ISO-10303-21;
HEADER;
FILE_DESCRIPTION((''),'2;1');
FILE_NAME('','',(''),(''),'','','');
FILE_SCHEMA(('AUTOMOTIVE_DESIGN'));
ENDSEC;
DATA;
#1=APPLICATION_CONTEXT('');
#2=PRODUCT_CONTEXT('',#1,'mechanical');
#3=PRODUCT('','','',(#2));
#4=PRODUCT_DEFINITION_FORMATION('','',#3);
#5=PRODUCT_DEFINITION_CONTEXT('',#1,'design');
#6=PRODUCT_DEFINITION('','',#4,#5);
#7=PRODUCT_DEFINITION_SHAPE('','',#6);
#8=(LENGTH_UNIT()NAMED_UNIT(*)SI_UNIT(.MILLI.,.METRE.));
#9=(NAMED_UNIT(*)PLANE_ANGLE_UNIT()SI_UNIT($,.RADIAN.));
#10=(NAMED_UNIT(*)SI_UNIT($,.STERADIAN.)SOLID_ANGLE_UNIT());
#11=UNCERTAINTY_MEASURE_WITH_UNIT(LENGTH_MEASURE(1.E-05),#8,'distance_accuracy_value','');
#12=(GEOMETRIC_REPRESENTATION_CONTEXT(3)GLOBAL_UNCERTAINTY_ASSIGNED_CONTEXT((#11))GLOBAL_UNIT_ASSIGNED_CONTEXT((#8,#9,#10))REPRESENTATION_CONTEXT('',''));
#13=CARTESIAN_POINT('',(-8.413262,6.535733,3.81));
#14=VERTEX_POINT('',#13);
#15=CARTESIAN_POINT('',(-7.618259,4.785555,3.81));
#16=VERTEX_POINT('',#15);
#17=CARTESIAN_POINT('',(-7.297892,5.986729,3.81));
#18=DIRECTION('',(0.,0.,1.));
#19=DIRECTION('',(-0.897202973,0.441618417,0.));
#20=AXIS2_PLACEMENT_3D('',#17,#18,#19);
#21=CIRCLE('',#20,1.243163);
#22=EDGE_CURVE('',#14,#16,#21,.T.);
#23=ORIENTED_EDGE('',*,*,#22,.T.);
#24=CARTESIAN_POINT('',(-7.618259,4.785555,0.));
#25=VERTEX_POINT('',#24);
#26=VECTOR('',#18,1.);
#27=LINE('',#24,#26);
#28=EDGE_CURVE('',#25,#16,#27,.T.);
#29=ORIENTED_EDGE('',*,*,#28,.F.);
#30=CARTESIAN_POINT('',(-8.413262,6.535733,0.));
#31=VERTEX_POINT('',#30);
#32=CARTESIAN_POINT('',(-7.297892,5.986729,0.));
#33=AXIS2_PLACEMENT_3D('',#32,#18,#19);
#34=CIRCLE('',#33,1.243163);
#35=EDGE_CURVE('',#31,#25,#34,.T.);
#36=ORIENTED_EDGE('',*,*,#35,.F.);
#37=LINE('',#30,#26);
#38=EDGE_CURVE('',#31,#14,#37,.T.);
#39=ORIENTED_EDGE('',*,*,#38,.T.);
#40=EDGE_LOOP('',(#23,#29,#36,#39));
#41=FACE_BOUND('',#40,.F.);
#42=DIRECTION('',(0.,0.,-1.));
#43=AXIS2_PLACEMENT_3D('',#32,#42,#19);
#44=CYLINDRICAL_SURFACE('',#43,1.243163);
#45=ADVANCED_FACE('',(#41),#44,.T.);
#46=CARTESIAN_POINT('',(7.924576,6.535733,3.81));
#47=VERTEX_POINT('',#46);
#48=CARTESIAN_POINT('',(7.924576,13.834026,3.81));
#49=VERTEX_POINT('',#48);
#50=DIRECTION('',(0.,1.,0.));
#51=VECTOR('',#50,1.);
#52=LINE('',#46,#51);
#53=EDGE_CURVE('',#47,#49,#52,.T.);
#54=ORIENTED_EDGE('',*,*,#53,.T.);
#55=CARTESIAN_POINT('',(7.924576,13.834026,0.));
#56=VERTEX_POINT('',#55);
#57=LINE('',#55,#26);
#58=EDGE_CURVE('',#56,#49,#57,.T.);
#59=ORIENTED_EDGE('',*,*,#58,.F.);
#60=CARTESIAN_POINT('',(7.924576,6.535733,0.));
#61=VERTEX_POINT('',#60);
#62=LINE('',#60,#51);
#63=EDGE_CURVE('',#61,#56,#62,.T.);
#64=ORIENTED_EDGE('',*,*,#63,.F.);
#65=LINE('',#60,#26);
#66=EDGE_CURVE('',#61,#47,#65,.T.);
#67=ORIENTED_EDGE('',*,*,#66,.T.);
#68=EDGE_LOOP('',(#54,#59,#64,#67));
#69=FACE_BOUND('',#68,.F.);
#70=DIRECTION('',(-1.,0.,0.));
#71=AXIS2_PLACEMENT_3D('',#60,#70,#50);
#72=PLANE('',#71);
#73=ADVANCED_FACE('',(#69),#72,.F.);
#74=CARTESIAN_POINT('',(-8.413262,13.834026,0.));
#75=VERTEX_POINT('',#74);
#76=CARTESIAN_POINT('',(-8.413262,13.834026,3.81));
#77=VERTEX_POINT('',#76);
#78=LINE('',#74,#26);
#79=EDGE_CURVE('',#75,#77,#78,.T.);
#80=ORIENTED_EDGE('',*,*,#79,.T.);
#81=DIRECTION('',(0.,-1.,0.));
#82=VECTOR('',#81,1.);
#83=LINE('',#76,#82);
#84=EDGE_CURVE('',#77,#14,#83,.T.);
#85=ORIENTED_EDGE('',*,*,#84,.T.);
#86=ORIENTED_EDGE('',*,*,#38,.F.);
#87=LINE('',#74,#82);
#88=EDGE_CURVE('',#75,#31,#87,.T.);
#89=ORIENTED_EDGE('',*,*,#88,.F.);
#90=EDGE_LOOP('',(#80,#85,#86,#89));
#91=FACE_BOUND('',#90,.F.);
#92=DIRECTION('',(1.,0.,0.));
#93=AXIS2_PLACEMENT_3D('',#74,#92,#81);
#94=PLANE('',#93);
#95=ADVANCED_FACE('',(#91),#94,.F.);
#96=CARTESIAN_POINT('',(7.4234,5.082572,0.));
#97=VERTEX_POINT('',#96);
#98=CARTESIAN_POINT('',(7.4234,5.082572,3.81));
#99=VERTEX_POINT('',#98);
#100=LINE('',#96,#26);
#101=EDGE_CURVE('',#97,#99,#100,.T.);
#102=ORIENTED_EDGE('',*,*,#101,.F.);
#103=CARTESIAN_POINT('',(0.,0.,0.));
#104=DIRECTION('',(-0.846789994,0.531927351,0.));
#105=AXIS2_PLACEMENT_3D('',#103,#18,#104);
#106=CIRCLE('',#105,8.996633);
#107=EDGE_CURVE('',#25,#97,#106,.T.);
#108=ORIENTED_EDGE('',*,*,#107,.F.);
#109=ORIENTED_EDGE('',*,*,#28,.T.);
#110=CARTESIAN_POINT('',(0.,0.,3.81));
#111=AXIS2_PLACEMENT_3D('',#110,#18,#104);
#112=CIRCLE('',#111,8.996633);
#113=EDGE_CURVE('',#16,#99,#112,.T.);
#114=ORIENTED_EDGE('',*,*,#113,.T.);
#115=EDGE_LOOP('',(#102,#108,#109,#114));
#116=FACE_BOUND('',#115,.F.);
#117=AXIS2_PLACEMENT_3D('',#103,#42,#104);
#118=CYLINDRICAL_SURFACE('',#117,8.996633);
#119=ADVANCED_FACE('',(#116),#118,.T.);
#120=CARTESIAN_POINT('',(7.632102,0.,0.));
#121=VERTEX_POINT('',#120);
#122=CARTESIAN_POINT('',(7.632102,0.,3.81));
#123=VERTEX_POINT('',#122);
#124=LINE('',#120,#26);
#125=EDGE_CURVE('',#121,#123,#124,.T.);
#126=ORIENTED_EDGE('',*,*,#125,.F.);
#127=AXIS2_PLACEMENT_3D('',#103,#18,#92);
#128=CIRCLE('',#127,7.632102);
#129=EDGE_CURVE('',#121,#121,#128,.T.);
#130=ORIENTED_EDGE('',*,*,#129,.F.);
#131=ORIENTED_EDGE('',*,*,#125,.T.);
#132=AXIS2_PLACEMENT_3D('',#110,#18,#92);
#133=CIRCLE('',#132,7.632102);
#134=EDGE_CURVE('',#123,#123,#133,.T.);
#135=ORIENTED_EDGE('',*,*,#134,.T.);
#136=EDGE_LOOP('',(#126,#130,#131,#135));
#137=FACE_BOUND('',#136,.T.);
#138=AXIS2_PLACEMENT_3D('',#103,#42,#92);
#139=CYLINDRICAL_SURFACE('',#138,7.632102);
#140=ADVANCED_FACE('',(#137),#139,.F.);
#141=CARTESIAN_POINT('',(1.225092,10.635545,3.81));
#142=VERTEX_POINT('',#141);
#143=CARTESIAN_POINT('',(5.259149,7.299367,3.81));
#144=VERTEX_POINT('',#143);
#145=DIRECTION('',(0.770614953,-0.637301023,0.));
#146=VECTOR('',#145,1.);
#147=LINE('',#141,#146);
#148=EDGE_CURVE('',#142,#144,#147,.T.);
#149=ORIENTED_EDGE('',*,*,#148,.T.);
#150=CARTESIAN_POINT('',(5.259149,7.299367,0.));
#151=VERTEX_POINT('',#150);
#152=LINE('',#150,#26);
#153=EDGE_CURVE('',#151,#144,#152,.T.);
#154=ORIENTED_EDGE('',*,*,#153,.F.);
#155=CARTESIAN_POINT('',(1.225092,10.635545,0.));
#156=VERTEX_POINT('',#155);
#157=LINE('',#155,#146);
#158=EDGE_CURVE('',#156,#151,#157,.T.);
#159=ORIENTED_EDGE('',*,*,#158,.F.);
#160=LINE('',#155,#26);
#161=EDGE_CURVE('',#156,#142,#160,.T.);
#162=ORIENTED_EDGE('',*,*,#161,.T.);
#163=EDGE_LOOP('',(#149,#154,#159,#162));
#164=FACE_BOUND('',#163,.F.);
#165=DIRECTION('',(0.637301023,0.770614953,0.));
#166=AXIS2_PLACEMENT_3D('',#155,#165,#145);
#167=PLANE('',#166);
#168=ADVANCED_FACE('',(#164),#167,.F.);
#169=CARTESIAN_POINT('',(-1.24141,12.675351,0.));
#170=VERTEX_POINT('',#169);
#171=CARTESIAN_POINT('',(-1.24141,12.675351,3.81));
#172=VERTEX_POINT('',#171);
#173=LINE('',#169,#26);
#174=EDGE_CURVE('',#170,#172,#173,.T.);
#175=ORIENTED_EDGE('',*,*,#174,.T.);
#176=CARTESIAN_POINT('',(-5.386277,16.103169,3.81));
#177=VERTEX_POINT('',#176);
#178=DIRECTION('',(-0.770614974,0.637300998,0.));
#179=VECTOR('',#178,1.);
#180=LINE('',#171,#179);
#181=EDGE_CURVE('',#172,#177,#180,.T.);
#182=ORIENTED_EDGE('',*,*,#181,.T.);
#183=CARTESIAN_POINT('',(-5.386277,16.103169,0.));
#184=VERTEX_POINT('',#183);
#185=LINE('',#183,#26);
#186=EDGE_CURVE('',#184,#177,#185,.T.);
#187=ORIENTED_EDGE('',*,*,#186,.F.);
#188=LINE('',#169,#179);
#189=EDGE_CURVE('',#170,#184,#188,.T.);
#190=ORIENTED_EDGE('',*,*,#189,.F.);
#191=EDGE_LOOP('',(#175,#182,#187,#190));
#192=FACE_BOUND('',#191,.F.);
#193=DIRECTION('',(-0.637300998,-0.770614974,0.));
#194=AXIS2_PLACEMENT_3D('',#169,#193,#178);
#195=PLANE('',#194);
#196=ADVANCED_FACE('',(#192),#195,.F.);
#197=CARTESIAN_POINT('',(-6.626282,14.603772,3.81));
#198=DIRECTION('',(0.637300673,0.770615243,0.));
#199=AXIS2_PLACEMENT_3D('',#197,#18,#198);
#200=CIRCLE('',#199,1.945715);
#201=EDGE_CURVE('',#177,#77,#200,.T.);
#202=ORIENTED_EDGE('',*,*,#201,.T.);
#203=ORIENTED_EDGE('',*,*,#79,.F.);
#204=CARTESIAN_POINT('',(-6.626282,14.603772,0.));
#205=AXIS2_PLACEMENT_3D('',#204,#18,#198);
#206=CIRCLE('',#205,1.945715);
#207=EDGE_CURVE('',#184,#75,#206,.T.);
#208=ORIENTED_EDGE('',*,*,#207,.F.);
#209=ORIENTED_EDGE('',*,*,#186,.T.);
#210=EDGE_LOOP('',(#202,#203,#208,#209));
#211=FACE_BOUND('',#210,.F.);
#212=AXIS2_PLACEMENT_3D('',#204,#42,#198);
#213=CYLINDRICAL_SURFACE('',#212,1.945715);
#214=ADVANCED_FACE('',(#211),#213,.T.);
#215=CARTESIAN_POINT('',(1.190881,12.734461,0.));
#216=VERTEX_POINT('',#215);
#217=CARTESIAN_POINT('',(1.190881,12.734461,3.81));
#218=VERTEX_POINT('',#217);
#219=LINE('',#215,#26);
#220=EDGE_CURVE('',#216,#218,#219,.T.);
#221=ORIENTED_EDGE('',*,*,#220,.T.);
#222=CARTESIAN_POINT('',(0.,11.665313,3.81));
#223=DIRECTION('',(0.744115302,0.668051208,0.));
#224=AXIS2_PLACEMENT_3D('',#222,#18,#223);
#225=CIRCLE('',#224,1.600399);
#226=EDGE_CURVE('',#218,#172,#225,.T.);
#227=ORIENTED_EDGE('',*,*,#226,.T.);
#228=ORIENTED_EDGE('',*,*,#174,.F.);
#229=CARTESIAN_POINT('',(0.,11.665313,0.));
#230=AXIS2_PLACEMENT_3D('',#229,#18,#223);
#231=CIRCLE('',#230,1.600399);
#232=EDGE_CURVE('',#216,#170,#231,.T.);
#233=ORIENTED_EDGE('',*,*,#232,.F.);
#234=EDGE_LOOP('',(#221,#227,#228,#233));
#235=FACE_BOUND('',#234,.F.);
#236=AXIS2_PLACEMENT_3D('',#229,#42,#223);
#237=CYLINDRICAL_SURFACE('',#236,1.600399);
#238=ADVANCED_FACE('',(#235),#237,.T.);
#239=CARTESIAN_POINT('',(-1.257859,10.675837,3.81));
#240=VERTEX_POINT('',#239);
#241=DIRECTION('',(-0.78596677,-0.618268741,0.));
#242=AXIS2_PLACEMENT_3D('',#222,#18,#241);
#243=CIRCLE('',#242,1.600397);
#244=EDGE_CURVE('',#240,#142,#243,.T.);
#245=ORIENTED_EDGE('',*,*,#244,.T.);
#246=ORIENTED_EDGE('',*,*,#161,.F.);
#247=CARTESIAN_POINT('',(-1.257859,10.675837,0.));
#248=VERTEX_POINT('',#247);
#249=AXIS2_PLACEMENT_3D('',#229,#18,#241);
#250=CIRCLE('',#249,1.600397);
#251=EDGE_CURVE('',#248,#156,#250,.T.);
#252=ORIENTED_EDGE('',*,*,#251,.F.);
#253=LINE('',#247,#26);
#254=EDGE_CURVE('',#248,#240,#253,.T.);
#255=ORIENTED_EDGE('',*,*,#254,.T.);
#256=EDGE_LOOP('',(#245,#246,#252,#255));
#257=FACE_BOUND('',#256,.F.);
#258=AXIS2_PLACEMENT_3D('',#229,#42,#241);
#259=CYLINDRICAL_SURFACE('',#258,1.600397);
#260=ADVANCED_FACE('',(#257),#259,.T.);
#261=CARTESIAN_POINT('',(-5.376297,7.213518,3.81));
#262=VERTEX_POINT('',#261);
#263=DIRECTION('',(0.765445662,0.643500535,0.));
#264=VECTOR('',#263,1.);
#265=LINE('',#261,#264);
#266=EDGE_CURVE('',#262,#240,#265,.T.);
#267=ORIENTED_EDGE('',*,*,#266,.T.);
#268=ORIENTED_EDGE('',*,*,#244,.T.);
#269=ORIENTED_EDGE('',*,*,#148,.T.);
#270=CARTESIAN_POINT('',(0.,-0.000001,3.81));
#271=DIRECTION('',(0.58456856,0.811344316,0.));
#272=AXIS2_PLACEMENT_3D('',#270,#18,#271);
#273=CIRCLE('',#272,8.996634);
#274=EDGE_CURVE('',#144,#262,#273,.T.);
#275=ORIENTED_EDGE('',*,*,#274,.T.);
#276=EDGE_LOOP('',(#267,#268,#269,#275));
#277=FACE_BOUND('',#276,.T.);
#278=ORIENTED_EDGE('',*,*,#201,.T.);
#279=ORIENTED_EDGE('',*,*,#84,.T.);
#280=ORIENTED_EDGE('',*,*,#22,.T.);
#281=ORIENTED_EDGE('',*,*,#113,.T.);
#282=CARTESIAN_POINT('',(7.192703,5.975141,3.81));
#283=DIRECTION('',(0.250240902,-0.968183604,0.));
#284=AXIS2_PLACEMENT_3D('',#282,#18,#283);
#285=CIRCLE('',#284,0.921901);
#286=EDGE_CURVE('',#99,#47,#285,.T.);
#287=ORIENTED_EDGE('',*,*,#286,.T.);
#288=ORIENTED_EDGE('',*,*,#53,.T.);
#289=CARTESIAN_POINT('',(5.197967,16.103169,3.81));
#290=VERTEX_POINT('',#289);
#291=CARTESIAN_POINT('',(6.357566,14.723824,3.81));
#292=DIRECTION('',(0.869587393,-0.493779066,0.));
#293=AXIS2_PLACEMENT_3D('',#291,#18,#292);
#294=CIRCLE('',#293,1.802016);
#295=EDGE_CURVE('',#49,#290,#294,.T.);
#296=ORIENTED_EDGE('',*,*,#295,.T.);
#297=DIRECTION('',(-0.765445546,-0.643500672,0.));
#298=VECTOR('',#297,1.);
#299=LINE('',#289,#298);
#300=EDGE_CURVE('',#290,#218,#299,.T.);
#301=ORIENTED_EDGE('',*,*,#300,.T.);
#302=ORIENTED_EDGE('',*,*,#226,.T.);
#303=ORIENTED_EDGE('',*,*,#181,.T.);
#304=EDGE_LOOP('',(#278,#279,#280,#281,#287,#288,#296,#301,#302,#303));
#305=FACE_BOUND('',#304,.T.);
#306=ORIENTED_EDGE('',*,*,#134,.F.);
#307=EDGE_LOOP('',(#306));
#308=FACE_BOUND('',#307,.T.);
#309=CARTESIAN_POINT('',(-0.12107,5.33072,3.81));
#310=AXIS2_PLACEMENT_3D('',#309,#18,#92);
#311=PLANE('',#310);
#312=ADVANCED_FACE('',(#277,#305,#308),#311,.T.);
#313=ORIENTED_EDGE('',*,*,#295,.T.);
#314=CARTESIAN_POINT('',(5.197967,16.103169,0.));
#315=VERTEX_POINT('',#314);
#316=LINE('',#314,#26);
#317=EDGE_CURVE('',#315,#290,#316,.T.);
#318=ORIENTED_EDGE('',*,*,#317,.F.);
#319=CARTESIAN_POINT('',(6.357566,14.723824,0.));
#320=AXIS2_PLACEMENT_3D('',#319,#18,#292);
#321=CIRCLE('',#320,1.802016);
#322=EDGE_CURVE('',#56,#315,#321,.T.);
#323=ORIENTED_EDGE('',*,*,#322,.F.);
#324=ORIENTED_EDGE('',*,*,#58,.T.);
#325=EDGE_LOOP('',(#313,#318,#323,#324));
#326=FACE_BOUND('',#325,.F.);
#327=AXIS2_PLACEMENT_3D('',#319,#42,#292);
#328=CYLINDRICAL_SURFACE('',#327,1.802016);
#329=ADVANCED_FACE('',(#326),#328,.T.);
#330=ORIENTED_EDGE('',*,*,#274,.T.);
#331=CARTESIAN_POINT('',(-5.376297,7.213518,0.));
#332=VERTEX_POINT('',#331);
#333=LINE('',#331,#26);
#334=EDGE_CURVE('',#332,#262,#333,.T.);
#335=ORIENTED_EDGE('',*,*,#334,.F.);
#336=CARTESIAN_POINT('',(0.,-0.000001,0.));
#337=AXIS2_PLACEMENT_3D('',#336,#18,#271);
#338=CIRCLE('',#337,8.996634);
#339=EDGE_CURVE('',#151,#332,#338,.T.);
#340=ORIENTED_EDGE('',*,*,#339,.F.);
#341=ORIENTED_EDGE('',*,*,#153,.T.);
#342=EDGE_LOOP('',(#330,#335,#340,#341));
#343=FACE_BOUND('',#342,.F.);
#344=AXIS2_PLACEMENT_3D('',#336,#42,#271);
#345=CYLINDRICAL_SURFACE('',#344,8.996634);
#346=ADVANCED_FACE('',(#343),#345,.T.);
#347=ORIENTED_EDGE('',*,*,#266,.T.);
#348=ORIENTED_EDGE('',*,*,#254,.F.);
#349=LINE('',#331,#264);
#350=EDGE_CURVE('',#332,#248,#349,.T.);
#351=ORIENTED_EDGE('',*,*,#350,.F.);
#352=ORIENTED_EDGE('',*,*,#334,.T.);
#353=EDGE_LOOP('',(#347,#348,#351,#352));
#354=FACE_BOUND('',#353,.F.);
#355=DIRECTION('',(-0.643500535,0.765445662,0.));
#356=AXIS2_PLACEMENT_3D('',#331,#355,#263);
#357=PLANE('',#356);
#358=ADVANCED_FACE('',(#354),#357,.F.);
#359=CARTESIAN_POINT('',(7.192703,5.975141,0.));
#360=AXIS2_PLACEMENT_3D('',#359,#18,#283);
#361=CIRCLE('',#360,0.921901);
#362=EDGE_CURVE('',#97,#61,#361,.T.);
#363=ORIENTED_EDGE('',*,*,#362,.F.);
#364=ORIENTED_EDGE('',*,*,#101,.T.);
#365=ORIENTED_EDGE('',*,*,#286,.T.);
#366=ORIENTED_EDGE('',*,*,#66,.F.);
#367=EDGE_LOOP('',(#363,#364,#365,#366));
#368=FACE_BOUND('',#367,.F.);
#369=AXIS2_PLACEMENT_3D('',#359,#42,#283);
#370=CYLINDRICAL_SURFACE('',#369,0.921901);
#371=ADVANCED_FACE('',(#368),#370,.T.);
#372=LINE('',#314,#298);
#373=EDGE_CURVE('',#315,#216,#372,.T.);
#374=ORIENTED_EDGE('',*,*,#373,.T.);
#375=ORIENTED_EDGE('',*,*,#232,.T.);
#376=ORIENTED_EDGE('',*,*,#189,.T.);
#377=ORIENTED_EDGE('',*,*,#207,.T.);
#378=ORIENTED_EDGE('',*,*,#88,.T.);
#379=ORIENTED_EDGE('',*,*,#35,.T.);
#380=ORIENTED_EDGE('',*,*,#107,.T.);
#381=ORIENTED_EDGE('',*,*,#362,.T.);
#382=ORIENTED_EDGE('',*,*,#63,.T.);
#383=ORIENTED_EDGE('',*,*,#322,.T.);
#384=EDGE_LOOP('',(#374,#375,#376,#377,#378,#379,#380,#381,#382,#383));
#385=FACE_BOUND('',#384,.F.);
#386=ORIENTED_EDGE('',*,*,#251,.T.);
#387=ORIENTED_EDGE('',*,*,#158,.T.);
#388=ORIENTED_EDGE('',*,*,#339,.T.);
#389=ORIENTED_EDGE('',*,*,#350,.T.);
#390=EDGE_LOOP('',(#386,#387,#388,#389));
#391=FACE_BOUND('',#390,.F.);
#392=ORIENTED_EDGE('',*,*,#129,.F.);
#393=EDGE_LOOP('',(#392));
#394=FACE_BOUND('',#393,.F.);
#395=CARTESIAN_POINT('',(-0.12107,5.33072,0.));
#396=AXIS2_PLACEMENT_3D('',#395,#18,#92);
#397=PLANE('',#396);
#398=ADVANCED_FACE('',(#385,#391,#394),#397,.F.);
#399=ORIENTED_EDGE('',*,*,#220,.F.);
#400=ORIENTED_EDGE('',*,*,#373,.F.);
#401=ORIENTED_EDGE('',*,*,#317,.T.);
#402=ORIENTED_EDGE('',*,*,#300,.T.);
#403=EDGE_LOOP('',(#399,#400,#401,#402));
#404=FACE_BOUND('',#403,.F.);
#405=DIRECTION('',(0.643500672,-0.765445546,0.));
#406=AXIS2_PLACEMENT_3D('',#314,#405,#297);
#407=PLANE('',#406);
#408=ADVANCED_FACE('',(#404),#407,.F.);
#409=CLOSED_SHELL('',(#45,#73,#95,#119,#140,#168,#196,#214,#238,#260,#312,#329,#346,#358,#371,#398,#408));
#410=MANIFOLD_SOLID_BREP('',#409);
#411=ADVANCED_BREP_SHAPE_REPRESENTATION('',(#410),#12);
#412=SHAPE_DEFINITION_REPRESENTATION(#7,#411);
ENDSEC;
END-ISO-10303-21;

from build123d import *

# Parameters (mm, degrees)
F0_R     = 7.632102
F1_DEPTH = 3.81


with BuildPart() as f1:
    # F0 (on Top) → F1 (new body)
    with BuildSketch(Plane.XY):
        with BuildLine():
            Line((5.197967, 16.103169), (1.190881, 12.734461))
            ThreePointArc((1.190881, 12.734461), (-0.038882, 13.265239), (-1.24141, 12.675351))
            Line((-1.24141, 12.675351), (-5.386277, 16.103169))
            ThreePointArc((-5.386277, 16.103169), (-7.79335, 16.160614), (-8.413262, 13.834026))
            Line((-8.413262, 13.834026), (-8.413262, 6.535733))
            ThreePointArc((-8.413262, 6.535733), (-8.429756, 5.47259), (-7.618259, 4.785555))
            ThreePointArc((-7.618259, 4.785555), (0.177616, -8.99488), (7.4234, 5.082572))
            ThreePointArc((7.4234, 5.082572), (8.064227, 5.674564), (7.924576, 6.535733))
            Line((7.924576, 6.535733), (7.924576, 13.834026))
            ThreePointArc((7.924576, 13.834026), (7.510279, 16.108928), (5.197967, 16.103169))
        make_face()
        Circle(F0_R, mode=Mode.SUBTRACT)
        with BuildLine():
            Line((1.225092, 10.635545), (5.259149, 7.299367))
            ThreePointArc((5.259149, 7.299367), (-0.072619, 8.99634), (-5.376297, 7.213518))
            Line((-5.376297, 7.213518), (-1.257859, 10.675837))
            ThreePointArc((-1.257859, 10.675837), (-0.025967, 10.065126), (1.225092, 10.635545))
        make_face(mode=Mode.SUBTRACT)
    extrude(amount=F1_DEPTH)


solid = f1.part
